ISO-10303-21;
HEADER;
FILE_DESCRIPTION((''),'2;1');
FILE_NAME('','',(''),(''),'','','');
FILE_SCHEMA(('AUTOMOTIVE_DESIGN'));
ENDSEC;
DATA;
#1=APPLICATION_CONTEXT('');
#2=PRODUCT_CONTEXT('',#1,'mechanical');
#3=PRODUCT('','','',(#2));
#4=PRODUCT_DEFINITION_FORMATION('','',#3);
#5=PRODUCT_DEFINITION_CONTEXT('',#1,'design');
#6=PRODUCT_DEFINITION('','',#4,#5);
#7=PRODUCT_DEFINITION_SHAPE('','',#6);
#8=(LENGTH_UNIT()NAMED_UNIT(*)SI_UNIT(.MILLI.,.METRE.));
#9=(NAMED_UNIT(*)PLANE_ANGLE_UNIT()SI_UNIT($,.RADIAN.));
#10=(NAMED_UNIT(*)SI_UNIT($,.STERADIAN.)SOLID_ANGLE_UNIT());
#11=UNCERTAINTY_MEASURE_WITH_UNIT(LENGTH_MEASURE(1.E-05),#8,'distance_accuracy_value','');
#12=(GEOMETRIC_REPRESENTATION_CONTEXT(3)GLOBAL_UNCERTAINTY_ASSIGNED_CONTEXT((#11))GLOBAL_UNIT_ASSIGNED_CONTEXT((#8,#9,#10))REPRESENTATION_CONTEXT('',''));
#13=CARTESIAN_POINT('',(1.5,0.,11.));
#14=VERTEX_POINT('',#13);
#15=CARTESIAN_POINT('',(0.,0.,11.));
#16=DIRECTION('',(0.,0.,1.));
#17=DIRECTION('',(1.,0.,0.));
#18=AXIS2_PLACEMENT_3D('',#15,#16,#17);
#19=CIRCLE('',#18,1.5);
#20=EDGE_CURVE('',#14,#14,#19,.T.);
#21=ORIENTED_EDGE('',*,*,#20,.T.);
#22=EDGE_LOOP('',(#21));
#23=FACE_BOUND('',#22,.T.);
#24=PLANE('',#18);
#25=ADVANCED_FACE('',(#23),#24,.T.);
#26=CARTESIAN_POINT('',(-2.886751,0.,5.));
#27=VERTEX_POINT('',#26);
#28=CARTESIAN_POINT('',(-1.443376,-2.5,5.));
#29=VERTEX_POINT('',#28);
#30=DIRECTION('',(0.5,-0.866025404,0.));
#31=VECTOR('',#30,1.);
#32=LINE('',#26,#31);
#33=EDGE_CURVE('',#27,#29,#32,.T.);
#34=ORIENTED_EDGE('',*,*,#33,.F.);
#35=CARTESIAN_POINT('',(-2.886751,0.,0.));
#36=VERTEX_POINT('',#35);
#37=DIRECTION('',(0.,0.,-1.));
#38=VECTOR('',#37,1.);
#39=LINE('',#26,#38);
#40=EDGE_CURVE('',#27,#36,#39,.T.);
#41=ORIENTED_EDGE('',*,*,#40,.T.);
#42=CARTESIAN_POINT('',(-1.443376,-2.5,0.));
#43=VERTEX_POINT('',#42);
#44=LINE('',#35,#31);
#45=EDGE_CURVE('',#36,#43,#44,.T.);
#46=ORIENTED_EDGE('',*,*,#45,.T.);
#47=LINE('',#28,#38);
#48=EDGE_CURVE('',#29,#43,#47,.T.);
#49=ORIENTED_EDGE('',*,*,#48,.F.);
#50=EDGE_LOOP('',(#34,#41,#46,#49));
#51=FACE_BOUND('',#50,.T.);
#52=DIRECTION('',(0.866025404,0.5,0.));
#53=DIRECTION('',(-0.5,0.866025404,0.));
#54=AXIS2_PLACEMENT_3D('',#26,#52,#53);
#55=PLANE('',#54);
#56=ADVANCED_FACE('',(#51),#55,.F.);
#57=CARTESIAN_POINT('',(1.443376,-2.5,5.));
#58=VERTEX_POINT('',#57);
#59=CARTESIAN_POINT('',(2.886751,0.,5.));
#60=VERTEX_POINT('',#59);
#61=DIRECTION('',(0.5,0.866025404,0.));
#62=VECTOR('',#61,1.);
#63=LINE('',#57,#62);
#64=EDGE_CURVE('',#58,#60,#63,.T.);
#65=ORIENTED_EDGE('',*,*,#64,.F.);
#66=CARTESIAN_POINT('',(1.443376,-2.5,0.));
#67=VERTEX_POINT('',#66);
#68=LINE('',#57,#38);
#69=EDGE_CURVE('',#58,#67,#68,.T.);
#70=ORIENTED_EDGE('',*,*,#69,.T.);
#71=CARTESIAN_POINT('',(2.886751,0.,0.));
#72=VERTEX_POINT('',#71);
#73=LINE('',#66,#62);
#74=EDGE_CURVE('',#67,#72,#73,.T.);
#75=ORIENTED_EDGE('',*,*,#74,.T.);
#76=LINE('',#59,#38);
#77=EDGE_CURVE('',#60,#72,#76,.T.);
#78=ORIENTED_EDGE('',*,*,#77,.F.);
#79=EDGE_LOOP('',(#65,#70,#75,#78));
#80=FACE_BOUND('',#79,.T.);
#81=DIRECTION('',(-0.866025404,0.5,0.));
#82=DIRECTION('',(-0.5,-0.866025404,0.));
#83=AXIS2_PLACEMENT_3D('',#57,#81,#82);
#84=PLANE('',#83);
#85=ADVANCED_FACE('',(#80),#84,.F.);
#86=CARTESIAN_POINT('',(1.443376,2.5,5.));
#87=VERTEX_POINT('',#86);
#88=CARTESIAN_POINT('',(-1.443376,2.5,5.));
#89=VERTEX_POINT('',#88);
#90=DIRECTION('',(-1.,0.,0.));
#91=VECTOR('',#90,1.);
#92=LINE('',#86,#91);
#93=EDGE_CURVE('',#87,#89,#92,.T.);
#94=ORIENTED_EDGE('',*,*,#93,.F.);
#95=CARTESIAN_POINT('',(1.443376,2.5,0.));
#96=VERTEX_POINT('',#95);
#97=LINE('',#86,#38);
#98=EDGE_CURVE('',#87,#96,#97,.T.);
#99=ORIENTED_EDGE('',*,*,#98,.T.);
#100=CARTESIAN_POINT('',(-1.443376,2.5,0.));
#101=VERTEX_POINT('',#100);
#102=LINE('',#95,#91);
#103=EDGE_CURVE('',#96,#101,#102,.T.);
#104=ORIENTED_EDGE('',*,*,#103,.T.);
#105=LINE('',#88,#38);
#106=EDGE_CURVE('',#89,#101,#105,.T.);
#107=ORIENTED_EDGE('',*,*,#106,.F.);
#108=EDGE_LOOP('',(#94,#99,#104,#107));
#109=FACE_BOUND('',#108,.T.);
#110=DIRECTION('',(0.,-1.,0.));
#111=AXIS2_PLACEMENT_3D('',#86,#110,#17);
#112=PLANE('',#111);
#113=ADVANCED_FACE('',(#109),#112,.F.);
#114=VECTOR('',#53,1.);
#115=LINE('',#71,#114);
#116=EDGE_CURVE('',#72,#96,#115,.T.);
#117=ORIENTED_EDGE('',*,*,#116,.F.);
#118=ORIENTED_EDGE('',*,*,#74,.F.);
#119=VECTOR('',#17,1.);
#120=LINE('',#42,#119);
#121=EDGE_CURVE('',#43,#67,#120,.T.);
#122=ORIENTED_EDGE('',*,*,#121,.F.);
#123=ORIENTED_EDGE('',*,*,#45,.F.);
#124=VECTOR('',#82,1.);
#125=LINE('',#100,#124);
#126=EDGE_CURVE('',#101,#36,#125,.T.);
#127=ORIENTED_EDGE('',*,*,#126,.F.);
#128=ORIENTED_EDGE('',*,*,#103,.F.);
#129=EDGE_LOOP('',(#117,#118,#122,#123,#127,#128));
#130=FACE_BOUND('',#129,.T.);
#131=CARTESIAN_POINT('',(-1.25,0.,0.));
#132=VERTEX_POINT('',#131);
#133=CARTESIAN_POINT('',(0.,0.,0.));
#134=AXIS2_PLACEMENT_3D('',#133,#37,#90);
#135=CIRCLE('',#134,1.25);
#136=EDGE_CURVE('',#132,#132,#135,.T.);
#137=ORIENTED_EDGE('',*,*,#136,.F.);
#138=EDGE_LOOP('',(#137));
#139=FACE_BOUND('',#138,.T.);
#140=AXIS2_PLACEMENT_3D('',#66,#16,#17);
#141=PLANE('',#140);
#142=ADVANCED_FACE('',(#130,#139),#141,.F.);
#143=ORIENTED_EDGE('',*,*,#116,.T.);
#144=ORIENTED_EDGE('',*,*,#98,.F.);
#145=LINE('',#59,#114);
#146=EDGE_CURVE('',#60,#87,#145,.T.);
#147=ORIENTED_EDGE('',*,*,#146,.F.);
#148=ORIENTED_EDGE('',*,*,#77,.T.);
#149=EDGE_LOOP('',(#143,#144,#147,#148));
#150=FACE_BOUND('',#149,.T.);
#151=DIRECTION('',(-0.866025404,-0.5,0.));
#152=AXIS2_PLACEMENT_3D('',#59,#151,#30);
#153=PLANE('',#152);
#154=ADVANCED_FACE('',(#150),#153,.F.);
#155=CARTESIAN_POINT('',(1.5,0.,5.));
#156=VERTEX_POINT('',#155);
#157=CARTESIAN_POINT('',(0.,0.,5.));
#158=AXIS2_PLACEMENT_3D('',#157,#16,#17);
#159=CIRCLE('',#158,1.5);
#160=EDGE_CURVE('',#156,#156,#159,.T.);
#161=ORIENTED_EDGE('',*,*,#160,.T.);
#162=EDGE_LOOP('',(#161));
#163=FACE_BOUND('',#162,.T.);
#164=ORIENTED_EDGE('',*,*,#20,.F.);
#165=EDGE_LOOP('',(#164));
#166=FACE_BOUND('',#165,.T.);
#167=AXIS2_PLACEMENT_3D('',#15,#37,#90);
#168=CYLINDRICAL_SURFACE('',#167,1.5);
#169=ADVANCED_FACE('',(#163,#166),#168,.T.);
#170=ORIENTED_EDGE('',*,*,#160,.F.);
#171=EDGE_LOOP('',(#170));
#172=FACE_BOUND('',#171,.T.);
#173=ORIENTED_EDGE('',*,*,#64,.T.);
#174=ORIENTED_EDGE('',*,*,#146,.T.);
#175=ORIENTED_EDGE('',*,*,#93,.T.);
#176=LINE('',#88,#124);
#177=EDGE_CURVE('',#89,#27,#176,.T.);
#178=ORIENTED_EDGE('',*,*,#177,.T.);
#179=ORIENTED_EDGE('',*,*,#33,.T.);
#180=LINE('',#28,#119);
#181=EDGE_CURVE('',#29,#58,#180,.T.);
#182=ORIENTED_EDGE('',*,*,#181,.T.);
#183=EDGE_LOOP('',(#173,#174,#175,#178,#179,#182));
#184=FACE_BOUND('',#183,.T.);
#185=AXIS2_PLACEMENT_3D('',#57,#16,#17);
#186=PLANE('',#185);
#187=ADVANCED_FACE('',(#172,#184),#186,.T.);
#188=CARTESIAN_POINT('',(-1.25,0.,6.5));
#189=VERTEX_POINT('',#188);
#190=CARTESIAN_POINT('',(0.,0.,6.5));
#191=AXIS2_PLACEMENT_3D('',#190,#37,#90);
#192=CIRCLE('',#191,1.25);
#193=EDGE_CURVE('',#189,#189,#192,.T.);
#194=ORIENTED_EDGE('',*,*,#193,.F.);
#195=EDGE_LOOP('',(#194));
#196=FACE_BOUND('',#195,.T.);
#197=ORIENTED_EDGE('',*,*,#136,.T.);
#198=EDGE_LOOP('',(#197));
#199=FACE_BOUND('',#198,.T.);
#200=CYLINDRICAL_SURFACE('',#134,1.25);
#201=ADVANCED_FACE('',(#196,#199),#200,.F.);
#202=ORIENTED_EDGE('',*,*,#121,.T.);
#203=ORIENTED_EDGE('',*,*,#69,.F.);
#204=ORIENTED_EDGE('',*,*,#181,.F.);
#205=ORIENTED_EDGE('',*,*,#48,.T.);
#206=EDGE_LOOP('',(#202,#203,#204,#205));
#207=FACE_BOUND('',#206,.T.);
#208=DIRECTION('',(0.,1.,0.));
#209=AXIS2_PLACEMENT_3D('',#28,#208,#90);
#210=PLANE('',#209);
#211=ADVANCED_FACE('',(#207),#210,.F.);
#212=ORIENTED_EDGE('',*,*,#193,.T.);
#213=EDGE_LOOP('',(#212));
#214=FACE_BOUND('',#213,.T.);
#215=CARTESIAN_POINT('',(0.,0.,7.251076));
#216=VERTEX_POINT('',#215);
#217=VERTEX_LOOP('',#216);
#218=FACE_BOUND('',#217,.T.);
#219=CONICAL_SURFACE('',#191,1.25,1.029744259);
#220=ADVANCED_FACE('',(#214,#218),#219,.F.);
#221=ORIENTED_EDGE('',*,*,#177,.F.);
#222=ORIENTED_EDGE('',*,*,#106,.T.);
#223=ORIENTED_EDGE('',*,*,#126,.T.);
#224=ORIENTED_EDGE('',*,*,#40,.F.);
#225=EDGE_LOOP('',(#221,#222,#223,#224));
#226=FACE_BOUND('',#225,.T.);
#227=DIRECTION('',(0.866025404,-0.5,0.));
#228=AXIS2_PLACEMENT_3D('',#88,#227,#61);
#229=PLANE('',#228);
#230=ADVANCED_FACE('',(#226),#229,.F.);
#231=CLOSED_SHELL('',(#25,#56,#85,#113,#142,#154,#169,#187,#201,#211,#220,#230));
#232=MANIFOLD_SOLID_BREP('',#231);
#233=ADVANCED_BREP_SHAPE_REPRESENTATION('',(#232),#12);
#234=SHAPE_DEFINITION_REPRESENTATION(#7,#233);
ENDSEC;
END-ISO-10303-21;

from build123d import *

# Parameters (mm, degrees)
EXTRUDE_1_DEPTH = 5
SKETCH_2_R      = 1.5
EXTRUDE_2_DEPTH = 6
M3X0_5_1_D      = 2.5
M3X0_5_1_DEPTH  = 6.5
M3X0_5_1_TIP    = 0.751075774


with BuildPart() as part:
    # 草图1 → 拉伸1 (new body)
    with BuildSketch(Plane.XY):
        Polygon((1.443375673, -2.5), (2.886751346, 0), (1.443375673, 2.5), (-1.443375673, 2.5), (-2.886751346, 0), (-1.443375673, -2.5), align=None)
    extrude(amount=EXTRUDE_1_DEPTH)

    # 草图2 → 拉伸2 (add)
    with BuildSketch(Plane.XY.offset(5)):
        Circle(SKETCH_2_R)
    extrude(amount=EXTRUDE_2_DEPTH)

    # M3x0.5 螺纹孔1
    with Locations(Plane(origin=(0, 0, 0), x_dir=(-1, 0, 0), z_dir=(0, 0, -1))):
        with Locations((0, 0)):
            Hole(M3X0_5_1_D / 2, depth=M3X0_5_1_DEPTH)
            with Locations((0, 0, -(M3X0_5_1_DEPTH + M3X0_5_1_TIP / 2))):  # 118° drill point
                Cone(0, M3X0_5_1_D / 2, M3X0_5_1_TIP, mode=Mode.SUBTRACT)


solid = part.part
